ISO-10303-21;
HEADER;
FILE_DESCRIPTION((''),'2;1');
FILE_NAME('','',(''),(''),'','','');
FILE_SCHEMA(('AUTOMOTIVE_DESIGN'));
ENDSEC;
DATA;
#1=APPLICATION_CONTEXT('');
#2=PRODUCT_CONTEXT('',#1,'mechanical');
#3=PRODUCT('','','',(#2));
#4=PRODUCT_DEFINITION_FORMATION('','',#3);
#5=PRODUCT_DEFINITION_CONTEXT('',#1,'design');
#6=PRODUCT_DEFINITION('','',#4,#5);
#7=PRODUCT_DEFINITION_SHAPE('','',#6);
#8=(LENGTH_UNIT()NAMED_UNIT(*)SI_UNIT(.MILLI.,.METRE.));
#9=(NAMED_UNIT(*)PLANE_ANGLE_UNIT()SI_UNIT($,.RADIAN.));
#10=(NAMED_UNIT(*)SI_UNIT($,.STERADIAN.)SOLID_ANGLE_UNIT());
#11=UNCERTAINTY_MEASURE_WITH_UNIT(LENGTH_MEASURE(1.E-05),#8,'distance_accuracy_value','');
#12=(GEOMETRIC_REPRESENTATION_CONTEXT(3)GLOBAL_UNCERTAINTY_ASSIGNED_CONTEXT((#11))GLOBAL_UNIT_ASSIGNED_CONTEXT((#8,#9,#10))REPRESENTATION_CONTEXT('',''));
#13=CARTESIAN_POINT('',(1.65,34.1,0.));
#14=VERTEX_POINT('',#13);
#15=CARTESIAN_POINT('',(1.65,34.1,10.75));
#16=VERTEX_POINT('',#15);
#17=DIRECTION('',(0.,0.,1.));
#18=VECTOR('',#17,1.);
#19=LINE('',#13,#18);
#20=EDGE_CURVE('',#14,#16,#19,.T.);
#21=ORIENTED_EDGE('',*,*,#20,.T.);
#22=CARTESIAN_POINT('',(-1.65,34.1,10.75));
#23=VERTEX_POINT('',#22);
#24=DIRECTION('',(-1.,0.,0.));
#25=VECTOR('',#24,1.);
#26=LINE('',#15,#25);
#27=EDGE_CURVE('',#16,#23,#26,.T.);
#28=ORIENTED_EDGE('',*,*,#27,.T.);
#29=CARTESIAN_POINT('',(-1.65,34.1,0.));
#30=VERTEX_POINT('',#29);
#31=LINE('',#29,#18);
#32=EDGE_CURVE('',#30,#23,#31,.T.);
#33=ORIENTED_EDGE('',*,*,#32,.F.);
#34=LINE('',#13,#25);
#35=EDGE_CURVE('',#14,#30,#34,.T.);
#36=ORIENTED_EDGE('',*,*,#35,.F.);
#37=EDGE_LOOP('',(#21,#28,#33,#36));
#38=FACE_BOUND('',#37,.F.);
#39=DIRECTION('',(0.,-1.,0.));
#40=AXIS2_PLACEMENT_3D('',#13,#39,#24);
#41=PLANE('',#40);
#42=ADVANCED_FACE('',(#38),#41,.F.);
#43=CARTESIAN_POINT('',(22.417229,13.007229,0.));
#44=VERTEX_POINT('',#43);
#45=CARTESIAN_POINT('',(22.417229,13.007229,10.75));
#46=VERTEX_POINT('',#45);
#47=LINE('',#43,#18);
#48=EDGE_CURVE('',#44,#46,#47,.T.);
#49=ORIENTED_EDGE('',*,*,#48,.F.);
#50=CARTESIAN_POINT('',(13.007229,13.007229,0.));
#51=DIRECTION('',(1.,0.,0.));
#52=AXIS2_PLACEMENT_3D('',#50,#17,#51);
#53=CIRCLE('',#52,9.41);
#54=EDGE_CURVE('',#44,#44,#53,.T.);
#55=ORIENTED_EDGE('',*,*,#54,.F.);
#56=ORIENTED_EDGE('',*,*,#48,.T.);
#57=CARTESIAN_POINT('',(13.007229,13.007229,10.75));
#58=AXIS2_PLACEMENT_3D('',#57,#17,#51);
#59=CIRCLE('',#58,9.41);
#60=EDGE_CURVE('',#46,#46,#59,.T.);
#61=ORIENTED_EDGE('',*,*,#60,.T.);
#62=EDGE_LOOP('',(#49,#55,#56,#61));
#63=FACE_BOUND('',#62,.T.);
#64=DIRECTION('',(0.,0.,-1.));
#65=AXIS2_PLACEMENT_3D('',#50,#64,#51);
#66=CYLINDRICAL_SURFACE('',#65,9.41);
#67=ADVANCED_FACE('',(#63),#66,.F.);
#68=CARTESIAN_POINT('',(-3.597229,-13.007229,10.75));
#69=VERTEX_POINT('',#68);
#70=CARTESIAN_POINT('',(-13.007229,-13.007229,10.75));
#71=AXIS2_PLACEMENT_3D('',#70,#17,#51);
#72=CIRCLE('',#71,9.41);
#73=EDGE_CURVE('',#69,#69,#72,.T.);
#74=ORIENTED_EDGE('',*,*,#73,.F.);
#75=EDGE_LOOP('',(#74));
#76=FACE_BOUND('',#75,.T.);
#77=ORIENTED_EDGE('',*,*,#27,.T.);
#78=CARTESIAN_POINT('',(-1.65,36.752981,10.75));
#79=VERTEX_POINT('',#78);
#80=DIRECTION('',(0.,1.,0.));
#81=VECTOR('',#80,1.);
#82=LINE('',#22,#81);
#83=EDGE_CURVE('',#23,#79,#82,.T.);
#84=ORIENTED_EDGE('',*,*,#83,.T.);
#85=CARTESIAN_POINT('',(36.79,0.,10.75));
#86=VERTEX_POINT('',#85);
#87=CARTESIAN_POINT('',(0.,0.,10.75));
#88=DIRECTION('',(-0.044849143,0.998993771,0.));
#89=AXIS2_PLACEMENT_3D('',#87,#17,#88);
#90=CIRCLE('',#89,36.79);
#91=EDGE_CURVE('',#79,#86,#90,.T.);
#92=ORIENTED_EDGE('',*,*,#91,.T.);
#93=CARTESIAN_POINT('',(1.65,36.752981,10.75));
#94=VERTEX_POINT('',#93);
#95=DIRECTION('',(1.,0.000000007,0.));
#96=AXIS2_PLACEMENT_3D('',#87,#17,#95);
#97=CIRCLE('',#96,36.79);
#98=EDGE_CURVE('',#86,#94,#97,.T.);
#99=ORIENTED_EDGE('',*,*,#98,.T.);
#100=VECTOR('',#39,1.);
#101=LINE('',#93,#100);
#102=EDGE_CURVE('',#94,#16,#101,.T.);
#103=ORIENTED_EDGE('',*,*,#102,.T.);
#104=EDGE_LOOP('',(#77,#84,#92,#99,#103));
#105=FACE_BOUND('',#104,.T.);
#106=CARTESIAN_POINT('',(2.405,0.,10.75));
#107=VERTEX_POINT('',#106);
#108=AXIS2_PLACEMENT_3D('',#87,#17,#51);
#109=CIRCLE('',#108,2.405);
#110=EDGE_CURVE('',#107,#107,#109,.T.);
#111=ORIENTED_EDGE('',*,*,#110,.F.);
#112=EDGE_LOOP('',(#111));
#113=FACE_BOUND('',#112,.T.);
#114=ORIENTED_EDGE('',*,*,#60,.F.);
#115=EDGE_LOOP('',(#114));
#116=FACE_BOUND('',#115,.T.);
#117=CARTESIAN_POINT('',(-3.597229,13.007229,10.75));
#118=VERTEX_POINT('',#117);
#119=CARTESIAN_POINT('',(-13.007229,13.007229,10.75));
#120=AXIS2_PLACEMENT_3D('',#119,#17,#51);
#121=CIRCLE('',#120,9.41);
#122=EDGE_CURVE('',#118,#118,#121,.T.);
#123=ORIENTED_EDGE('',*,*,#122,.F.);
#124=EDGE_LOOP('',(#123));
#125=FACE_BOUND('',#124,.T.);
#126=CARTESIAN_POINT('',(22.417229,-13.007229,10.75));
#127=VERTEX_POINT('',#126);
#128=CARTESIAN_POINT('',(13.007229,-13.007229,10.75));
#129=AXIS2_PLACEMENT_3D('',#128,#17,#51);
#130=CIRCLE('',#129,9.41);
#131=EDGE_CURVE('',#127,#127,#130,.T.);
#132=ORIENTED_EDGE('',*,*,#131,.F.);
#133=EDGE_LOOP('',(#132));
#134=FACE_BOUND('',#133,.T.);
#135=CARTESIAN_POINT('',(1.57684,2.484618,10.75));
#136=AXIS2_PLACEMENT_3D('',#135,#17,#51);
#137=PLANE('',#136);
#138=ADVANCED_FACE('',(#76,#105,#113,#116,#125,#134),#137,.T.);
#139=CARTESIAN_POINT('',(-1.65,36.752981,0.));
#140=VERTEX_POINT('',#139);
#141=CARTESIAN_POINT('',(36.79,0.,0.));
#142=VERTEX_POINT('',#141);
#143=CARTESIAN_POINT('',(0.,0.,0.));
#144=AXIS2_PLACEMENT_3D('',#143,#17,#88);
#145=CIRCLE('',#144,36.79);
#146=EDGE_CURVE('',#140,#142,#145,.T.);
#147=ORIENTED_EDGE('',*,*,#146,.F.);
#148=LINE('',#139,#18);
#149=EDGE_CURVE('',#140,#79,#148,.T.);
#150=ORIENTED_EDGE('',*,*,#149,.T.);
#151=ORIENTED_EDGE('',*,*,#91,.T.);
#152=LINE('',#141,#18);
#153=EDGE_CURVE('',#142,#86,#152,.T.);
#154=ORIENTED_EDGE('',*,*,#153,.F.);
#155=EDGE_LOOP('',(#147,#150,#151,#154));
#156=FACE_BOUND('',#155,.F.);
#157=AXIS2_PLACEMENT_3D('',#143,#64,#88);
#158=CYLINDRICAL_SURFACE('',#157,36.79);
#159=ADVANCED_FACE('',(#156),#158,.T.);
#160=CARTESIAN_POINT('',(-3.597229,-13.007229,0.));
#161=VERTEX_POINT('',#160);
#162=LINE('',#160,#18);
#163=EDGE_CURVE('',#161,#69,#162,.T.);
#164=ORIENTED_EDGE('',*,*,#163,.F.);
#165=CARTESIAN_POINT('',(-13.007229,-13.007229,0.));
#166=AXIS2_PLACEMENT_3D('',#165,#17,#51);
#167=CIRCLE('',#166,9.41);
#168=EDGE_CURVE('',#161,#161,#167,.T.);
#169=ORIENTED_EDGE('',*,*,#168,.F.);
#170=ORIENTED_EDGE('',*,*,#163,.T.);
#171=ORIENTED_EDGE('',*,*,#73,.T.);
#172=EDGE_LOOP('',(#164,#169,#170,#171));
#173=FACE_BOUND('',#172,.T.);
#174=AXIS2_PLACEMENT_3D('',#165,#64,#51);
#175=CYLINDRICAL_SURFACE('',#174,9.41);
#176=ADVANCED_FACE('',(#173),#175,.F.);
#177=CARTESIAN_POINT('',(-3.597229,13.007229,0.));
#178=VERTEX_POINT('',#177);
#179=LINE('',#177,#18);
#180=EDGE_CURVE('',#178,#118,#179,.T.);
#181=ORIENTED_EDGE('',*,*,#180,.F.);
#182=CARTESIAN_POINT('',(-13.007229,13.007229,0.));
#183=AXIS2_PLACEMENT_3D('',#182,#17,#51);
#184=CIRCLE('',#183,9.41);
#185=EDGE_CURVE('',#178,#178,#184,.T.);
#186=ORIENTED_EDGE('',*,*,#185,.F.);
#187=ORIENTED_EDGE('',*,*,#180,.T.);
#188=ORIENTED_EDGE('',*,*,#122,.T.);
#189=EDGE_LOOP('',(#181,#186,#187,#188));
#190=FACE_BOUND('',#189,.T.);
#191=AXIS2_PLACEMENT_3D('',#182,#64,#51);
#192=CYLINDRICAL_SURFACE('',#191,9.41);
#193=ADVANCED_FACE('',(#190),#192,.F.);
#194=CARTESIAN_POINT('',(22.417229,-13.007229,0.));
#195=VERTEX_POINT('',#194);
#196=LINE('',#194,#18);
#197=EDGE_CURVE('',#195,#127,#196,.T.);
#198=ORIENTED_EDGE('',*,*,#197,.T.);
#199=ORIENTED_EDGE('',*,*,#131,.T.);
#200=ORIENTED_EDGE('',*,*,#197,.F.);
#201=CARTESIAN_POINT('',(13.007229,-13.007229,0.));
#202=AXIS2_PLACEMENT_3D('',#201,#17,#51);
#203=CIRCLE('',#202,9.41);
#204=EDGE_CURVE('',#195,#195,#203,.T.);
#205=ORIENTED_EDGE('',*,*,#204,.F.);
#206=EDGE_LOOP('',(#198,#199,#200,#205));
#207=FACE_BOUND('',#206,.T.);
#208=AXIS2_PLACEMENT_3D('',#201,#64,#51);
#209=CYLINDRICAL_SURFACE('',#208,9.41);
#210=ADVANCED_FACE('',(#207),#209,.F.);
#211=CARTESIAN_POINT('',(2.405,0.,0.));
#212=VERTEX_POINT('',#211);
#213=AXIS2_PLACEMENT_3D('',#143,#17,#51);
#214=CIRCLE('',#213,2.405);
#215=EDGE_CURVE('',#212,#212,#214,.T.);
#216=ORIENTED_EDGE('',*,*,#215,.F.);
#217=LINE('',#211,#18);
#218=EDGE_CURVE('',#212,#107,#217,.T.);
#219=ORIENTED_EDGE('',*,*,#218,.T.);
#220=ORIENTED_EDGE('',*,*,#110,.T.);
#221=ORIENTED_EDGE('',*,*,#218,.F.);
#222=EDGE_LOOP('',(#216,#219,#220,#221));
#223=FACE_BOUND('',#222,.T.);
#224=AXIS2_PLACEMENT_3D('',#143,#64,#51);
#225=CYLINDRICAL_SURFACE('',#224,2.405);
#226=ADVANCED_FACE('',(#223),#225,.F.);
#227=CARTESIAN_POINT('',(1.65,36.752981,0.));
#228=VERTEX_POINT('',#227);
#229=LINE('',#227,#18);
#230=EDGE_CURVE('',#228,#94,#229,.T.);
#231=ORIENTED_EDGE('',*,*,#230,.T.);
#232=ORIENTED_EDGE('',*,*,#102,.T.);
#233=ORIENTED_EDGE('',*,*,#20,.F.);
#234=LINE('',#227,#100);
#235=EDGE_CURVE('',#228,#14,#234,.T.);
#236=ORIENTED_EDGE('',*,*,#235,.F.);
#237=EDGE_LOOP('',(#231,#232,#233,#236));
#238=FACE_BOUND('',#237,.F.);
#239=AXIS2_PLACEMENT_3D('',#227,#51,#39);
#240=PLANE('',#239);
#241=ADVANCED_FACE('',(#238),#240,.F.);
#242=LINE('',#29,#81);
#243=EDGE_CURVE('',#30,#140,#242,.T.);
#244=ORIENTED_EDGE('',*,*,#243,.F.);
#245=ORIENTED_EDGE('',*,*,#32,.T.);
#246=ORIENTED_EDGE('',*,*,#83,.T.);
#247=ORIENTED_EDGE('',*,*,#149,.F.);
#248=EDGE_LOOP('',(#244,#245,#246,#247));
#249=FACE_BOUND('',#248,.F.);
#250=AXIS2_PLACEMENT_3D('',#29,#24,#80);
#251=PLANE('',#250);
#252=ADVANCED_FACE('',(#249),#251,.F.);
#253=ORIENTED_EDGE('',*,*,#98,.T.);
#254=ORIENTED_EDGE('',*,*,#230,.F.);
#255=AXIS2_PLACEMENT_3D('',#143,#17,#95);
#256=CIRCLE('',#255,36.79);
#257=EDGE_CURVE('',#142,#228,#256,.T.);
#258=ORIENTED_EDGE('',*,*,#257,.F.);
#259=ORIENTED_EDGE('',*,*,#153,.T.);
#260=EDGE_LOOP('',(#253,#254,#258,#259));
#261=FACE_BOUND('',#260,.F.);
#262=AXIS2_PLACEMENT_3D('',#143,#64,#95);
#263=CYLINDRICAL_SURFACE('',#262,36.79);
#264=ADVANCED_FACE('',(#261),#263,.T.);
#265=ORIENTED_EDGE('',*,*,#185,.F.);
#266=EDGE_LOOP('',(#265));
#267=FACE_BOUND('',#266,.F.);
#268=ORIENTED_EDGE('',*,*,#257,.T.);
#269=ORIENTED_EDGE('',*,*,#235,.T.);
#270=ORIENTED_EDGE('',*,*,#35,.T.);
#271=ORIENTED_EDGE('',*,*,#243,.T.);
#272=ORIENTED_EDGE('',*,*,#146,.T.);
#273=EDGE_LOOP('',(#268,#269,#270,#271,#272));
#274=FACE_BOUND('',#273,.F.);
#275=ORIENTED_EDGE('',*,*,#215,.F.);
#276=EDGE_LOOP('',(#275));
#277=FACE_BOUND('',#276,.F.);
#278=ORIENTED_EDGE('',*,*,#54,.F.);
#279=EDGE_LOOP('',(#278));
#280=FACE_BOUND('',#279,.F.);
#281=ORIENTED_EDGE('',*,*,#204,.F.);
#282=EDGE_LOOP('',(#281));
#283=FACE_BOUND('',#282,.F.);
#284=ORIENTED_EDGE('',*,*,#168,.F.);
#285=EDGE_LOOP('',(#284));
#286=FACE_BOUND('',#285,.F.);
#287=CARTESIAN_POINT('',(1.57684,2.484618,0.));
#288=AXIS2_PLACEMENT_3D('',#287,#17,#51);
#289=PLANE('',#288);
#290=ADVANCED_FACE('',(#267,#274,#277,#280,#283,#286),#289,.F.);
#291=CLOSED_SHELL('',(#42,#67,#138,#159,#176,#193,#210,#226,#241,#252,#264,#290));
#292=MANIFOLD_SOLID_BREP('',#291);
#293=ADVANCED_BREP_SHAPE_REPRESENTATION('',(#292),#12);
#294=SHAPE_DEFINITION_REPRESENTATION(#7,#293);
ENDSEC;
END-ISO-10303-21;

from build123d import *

# Parameters (mm, degrees)
F0_R     = 9.41
F0_R_2   = 2.405
F1_DEPTH = 10.75


with BuildPart() as f1:
    # F0 (on Top) → F1 (new body)
    with BuildSketch(Plane.XY):
        with BuildLine():
            ThreePointArc((-1.65, 36.752981), (-25.424404, -26.591423), (36.79, 0))
            ThreePointArc((36.79, 0), (26.591423, 25.424404), (1.65, 36.752981))
            Line((1.65, 36.752981), (1.65, 34.1))
            Line((1.65, 34.1), (0, 34.1))
            Line((0, 34.1), (-1.65, 34.1))
            Line((-1.65, 34.1), (-1.65, 36.752981))
        make_face()
        with Locations((-13.007229, -13.007229)):
            Circle(F0_R, mode=Mode.SUBTRACT)
        with Locations((13.007229, -13.007229)):
            Circle(F0_R, mode=Mode.SUBTRACT)
        with Locations((-13.007229, 13.007229)):
            Circle(F0_R, mode=Mode.SUBTRACT)
        Circle(F0_R_2, mode=Mode.SUBTRACT)
        with Locations((13.007229, 13.007229)):
            Circle(F0_R, mode=Mode.SUBTRACT)
    extrude(amount=F1_DEPTH)


solid = f1.part
